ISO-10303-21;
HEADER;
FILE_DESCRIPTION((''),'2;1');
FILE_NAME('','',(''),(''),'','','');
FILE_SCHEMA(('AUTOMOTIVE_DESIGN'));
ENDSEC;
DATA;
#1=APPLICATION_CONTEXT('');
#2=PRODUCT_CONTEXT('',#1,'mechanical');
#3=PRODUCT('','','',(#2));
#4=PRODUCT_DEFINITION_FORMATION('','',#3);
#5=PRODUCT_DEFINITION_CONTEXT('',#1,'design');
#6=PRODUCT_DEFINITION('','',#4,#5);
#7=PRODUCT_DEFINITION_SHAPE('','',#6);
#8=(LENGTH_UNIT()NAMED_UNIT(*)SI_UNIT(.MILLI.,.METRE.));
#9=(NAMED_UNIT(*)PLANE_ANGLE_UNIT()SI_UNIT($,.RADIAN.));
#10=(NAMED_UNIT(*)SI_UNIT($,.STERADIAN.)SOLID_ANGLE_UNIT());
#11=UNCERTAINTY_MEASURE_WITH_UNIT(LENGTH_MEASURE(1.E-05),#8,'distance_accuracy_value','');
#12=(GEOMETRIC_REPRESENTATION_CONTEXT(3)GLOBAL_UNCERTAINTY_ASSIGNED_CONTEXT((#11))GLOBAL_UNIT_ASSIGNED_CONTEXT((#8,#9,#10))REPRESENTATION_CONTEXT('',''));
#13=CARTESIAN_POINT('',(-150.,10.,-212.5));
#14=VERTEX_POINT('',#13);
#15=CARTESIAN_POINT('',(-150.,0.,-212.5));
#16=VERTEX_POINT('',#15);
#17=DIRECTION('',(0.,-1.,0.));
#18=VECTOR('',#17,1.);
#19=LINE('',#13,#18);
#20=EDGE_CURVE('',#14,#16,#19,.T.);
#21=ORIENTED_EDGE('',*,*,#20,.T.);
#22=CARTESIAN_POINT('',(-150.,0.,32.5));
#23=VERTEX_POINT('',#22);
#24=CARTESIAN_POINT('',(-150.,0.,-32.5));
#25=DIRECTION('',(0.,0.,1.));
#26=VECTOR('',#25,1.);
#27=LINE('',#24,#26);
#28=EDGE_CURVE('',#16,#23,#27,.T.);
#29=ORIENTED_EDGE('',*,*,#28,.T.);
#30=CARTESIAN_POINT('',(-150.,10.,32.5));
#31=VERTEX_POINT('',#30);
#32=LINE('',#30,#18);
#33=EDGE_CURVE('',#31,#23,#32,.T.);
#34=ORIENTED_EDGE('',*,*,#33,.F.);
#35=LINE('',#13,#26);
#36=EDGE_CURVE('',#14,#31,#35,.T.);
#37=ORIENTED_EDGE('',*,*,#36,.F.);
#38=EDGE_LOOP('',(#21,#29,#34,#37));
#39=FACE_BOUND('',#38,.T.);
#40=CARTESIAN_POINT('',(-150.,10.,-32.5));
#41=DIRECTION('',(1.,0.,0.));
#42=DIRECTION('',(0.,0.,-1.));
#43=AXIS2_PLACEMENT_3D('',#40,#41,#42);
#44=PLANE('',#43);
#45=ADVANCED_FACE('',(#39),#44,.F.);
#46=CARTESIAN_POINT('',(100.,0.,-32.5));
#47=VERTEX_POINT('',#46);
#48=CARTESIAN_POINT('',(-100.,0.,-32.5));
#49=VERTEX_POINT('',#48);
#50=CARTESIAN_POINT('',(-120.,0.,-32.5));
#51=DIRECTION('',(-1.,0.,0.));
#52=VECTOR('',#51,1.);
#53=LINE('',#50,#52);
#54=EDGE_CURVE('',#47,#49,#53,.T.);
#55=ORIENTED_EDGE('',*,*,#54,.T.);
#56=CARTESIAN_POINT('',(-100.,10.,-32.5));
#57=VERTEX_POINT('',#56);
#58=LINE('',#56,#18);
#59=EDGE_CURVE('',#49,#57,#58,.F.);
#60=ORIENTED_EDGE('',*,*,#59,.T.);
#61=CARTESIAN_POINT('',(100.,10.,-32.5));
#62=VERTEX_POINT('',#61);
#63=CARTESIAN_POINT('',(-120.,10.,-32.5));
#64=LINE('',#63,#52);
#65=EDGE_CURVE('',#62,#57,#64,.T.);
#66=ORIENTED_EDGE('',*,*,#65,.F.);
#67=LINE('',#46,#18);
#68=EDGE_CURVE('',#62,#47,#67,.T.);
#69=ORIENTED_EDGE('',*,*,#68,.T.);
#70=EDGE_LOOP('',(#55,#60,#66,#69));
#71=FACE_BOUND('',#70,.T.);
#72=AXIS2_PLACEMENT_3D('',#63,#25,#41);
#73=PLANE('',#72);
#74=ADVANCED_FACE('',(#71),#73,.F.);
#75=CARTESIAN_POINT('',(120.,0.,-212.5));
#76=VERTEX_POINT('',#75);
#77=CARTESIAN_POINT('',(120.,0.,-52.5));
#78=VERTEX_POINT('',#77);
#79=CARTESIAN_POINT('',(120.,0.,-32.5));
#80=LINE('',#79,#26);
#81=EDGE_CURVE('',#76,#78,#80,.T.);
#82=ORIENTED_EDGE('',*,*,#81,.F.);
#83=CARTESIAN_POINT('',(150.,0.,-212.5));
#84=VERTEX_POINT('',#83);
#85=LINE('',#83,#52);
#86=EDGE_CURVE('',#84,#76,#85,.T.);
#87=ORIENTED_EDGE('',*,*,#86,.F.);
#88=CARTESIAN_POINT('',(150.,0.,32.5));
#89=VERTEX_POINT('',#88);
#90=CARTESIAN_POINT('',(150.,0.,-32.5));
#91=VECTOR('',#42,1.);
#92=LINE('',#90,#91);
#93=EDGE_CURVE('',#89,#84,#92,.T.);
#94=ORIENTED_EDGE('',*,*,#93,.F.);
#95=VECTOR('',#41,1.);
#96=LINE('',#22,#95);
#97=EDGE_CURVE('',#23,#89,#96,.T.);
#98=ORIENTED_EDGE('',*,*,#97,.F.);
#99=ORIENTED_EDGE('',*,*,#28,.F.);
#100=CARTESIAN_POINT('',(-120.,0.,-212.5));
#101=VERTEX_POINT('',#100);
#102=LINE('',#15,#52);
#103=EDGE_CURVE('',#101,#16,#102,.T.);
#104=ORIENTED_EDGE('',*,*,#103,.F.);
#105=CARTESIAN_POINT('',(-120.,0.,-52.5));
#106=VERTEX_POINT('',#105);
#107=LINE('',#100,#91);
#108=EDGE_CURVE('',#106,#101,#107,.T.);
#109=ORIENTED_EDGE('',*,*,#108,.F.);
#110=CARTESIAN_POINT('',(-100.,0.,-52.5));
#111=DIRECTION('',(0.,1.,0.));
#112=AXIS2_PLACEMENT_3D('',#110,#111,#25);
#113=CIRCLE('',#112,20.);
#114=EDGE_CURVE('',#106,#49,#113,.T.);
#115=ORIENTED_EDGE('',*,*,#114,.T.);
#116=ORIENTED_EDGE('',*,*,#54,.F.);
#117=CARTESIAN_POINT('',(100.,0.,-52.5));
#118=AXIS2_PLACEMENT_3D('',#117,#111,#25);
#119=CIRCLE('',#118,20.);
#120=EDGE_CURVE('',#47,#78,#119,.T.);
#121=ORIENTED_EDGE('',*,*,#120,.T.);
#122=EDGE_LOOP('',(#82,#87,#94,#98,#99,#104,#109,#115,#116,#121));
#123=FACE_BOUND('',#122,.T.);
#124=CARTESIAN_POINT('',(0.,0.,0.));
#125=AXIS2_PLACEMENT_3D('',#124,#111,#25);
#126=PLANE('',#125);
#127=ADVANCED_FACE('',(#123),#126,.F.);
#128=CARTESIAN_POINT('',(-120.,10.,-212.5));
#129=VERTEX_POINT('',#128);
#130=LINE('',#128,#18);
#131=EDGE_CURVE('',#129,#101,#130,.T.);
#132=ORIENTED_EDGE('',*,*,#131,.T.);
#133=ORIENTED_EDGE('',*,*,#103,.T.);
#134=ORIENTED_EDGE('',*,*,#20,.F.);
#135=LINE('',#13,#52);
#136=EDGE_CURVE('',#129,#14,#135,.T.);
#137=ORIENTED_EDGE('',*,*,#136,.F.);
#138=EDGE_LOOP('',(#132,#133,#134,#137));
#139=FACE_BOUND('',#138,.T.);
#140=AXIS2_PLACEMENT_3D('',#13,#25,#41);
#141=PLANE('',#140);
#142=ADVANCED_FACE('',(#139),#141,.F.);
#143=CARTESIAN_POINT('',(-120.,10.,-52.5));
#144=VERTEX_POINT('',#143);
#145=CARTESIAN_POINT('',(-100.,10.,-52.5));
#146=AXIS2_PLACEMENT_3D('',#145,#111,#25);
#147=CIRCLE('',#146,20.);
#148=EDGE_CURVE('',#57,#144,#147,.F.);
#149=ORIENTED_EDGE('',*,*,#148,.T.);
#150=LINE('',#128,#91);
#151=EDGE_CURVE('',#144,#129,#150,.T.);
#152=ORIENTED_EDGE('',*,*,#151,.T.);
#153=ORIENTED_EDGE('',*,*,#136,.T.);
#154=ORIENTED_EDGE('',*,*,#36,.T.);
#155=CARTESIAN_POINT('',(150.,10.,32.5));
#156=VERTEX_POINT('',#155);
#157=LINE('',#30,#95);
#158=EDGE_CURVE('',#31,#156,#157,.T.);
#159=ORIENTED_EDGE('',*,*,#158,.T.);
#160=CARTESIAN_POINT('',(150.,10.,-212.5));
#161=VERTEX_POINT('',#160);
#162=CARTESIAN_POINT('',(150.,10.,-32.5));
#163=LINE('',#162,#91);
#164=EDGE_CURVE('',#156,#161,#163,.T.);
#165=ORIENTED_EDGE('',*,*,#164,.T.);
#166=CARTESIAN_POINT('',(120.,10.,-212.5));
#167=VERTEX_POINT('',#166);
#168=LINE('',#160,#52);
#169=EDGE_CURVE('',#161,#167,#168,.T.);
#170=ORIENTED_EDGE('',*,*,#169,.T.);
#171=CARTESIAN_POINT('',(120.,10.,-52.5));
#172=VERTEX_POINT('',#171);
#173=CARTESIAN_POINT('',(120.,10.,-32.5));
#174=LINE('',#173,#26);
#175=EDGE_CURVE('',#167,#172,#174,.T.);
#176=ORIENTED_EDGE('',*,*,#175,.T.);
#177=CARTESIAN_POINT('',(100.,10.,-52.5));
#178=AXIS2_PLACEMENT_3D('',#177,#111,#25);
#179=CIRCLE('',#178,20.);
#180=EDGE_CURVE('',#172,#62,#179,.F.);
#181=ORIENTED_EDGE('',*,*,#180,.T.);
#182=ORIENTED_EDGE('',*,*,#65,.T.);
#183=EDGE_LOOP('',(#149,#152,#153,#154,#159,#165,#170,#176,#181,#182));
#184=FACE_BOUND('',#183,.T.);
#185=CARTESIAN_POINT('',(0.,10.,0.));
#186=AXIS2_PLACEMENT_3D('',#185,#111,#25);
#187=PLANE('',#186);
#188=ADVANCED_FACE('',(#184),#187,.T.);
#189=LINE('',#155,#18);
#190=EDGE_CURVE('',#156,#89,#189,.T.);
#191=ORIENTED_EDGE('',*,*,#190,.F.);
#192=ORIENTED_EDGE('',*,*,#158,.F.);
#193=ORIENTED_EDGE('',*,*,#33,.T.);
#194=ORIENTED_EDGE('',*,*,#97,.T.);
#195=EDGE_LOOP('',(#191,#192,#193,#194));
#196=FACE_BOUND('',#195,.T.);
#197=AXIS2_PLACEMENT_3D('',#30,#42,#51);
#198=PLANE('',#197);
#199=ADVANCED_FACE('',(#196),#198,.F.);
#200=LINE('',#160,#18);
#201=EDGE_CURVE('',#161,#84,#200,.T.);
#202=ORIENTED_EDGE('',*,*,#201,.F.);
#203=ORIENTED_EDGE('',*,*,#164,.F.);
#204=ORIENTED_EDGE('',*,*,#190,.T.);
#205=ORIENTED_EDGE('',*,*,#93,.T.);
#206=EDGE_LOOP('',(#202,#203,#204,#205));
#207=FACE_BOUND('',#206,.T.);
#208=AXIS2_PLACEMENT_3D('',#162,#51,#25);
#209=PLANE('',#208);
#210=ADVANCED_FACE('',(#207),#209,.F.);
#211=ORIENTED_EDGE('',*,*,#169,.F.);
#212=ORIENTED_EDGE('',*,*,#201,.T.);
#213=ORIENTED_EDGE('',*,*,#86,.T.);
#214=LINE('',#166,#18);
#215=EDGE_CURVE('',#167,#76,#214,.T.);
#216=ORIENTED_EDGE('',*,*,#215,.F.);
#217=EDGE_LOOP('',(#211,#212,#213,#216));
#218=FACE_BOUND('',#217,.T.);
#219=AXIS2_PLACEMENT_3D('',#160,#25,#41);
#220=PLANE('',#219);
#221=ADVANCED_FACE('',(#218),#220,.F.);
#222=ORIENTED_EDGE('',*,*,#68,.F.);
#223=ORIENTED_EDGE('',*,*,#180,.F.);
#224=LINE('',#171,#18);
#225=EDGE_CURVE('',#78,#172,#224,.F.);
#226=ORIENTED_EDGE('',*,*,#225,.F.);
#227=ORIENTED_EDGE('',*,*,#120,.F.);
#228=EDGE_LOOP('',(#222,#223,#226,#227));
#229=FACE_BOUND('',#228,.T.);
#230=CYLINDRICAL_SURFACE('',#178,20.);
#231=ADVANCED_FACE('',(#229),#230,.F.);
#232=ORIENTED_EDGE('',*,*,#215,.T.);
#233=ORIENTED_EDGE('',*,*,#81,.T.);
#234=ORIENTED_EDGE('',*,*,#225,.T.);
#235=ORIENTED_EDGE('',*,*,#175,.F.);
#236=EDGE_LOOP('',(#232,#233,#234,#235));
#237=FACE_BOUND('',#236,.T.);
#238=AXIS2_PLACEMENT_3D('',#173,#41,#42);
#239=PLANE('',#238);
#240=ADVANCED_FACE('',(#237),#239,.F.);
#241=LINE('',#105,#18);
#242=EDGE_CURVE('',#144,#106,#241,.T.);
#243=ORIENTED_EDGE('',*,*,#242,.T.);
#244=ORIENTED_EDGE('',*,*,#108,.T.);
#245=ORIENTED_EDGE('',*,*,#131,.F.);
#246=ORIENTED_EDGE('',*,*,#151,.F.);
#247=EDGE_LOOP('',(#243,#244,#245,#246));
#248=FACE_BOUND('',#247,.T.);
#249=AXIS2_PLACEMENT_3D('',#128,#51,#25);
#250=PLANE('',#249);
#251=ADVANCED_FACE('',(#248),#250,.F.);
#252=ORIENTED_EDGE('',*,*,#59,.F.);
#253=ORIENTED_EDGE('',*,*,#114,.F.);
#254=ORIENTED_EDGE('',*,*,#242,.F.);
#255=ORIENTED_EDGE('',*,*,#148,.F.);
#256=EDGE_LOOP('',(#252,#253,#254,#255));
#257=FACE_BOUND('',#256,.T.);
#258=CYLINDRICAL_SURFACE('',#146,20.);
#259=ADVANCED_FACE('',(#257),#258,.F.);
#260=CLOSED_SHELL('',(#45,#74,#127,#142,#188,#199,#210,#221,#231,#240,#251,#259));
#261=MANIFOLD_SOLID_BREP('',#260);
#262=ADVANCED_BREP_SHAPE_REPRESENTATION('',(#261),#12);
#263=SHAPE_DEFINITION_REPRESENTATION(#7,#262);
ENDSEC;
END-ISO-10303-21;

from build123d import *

# Parameters (mm, degrees)
EXTRUDE_1_DEPTH = 10
FILLET_7_R      = 20


with BuildPart() as part:
    # 草图1 → 凸台-拉伸1 (new body)
    with BuildSketch(Plane(origin=(0, 0, 0), x_dir=(1, 0, 0), z_dir=(0, 1, 0))):
        Polygon((-120, 32.5), (120, 32.5), (120, 212.5), (150, 212.5), (150, 32.5), (150, -32.5), (-150, -32.5), (-150, 32.5), (-150, 212.5), (-120, 212.5), align=None)
    extrude(amount=EXTRUDE_1_DEPTH)

    # 圆角7
    fillet_7_edges = [part.edges().sort_by_distance(p)[0] for p in [
        (-120, 5, -32.5),
        (120, 5, -32.5),
    ]]
    fillet(fillet_7_edges, radius=FILLET_7_R)


solid = part.part
